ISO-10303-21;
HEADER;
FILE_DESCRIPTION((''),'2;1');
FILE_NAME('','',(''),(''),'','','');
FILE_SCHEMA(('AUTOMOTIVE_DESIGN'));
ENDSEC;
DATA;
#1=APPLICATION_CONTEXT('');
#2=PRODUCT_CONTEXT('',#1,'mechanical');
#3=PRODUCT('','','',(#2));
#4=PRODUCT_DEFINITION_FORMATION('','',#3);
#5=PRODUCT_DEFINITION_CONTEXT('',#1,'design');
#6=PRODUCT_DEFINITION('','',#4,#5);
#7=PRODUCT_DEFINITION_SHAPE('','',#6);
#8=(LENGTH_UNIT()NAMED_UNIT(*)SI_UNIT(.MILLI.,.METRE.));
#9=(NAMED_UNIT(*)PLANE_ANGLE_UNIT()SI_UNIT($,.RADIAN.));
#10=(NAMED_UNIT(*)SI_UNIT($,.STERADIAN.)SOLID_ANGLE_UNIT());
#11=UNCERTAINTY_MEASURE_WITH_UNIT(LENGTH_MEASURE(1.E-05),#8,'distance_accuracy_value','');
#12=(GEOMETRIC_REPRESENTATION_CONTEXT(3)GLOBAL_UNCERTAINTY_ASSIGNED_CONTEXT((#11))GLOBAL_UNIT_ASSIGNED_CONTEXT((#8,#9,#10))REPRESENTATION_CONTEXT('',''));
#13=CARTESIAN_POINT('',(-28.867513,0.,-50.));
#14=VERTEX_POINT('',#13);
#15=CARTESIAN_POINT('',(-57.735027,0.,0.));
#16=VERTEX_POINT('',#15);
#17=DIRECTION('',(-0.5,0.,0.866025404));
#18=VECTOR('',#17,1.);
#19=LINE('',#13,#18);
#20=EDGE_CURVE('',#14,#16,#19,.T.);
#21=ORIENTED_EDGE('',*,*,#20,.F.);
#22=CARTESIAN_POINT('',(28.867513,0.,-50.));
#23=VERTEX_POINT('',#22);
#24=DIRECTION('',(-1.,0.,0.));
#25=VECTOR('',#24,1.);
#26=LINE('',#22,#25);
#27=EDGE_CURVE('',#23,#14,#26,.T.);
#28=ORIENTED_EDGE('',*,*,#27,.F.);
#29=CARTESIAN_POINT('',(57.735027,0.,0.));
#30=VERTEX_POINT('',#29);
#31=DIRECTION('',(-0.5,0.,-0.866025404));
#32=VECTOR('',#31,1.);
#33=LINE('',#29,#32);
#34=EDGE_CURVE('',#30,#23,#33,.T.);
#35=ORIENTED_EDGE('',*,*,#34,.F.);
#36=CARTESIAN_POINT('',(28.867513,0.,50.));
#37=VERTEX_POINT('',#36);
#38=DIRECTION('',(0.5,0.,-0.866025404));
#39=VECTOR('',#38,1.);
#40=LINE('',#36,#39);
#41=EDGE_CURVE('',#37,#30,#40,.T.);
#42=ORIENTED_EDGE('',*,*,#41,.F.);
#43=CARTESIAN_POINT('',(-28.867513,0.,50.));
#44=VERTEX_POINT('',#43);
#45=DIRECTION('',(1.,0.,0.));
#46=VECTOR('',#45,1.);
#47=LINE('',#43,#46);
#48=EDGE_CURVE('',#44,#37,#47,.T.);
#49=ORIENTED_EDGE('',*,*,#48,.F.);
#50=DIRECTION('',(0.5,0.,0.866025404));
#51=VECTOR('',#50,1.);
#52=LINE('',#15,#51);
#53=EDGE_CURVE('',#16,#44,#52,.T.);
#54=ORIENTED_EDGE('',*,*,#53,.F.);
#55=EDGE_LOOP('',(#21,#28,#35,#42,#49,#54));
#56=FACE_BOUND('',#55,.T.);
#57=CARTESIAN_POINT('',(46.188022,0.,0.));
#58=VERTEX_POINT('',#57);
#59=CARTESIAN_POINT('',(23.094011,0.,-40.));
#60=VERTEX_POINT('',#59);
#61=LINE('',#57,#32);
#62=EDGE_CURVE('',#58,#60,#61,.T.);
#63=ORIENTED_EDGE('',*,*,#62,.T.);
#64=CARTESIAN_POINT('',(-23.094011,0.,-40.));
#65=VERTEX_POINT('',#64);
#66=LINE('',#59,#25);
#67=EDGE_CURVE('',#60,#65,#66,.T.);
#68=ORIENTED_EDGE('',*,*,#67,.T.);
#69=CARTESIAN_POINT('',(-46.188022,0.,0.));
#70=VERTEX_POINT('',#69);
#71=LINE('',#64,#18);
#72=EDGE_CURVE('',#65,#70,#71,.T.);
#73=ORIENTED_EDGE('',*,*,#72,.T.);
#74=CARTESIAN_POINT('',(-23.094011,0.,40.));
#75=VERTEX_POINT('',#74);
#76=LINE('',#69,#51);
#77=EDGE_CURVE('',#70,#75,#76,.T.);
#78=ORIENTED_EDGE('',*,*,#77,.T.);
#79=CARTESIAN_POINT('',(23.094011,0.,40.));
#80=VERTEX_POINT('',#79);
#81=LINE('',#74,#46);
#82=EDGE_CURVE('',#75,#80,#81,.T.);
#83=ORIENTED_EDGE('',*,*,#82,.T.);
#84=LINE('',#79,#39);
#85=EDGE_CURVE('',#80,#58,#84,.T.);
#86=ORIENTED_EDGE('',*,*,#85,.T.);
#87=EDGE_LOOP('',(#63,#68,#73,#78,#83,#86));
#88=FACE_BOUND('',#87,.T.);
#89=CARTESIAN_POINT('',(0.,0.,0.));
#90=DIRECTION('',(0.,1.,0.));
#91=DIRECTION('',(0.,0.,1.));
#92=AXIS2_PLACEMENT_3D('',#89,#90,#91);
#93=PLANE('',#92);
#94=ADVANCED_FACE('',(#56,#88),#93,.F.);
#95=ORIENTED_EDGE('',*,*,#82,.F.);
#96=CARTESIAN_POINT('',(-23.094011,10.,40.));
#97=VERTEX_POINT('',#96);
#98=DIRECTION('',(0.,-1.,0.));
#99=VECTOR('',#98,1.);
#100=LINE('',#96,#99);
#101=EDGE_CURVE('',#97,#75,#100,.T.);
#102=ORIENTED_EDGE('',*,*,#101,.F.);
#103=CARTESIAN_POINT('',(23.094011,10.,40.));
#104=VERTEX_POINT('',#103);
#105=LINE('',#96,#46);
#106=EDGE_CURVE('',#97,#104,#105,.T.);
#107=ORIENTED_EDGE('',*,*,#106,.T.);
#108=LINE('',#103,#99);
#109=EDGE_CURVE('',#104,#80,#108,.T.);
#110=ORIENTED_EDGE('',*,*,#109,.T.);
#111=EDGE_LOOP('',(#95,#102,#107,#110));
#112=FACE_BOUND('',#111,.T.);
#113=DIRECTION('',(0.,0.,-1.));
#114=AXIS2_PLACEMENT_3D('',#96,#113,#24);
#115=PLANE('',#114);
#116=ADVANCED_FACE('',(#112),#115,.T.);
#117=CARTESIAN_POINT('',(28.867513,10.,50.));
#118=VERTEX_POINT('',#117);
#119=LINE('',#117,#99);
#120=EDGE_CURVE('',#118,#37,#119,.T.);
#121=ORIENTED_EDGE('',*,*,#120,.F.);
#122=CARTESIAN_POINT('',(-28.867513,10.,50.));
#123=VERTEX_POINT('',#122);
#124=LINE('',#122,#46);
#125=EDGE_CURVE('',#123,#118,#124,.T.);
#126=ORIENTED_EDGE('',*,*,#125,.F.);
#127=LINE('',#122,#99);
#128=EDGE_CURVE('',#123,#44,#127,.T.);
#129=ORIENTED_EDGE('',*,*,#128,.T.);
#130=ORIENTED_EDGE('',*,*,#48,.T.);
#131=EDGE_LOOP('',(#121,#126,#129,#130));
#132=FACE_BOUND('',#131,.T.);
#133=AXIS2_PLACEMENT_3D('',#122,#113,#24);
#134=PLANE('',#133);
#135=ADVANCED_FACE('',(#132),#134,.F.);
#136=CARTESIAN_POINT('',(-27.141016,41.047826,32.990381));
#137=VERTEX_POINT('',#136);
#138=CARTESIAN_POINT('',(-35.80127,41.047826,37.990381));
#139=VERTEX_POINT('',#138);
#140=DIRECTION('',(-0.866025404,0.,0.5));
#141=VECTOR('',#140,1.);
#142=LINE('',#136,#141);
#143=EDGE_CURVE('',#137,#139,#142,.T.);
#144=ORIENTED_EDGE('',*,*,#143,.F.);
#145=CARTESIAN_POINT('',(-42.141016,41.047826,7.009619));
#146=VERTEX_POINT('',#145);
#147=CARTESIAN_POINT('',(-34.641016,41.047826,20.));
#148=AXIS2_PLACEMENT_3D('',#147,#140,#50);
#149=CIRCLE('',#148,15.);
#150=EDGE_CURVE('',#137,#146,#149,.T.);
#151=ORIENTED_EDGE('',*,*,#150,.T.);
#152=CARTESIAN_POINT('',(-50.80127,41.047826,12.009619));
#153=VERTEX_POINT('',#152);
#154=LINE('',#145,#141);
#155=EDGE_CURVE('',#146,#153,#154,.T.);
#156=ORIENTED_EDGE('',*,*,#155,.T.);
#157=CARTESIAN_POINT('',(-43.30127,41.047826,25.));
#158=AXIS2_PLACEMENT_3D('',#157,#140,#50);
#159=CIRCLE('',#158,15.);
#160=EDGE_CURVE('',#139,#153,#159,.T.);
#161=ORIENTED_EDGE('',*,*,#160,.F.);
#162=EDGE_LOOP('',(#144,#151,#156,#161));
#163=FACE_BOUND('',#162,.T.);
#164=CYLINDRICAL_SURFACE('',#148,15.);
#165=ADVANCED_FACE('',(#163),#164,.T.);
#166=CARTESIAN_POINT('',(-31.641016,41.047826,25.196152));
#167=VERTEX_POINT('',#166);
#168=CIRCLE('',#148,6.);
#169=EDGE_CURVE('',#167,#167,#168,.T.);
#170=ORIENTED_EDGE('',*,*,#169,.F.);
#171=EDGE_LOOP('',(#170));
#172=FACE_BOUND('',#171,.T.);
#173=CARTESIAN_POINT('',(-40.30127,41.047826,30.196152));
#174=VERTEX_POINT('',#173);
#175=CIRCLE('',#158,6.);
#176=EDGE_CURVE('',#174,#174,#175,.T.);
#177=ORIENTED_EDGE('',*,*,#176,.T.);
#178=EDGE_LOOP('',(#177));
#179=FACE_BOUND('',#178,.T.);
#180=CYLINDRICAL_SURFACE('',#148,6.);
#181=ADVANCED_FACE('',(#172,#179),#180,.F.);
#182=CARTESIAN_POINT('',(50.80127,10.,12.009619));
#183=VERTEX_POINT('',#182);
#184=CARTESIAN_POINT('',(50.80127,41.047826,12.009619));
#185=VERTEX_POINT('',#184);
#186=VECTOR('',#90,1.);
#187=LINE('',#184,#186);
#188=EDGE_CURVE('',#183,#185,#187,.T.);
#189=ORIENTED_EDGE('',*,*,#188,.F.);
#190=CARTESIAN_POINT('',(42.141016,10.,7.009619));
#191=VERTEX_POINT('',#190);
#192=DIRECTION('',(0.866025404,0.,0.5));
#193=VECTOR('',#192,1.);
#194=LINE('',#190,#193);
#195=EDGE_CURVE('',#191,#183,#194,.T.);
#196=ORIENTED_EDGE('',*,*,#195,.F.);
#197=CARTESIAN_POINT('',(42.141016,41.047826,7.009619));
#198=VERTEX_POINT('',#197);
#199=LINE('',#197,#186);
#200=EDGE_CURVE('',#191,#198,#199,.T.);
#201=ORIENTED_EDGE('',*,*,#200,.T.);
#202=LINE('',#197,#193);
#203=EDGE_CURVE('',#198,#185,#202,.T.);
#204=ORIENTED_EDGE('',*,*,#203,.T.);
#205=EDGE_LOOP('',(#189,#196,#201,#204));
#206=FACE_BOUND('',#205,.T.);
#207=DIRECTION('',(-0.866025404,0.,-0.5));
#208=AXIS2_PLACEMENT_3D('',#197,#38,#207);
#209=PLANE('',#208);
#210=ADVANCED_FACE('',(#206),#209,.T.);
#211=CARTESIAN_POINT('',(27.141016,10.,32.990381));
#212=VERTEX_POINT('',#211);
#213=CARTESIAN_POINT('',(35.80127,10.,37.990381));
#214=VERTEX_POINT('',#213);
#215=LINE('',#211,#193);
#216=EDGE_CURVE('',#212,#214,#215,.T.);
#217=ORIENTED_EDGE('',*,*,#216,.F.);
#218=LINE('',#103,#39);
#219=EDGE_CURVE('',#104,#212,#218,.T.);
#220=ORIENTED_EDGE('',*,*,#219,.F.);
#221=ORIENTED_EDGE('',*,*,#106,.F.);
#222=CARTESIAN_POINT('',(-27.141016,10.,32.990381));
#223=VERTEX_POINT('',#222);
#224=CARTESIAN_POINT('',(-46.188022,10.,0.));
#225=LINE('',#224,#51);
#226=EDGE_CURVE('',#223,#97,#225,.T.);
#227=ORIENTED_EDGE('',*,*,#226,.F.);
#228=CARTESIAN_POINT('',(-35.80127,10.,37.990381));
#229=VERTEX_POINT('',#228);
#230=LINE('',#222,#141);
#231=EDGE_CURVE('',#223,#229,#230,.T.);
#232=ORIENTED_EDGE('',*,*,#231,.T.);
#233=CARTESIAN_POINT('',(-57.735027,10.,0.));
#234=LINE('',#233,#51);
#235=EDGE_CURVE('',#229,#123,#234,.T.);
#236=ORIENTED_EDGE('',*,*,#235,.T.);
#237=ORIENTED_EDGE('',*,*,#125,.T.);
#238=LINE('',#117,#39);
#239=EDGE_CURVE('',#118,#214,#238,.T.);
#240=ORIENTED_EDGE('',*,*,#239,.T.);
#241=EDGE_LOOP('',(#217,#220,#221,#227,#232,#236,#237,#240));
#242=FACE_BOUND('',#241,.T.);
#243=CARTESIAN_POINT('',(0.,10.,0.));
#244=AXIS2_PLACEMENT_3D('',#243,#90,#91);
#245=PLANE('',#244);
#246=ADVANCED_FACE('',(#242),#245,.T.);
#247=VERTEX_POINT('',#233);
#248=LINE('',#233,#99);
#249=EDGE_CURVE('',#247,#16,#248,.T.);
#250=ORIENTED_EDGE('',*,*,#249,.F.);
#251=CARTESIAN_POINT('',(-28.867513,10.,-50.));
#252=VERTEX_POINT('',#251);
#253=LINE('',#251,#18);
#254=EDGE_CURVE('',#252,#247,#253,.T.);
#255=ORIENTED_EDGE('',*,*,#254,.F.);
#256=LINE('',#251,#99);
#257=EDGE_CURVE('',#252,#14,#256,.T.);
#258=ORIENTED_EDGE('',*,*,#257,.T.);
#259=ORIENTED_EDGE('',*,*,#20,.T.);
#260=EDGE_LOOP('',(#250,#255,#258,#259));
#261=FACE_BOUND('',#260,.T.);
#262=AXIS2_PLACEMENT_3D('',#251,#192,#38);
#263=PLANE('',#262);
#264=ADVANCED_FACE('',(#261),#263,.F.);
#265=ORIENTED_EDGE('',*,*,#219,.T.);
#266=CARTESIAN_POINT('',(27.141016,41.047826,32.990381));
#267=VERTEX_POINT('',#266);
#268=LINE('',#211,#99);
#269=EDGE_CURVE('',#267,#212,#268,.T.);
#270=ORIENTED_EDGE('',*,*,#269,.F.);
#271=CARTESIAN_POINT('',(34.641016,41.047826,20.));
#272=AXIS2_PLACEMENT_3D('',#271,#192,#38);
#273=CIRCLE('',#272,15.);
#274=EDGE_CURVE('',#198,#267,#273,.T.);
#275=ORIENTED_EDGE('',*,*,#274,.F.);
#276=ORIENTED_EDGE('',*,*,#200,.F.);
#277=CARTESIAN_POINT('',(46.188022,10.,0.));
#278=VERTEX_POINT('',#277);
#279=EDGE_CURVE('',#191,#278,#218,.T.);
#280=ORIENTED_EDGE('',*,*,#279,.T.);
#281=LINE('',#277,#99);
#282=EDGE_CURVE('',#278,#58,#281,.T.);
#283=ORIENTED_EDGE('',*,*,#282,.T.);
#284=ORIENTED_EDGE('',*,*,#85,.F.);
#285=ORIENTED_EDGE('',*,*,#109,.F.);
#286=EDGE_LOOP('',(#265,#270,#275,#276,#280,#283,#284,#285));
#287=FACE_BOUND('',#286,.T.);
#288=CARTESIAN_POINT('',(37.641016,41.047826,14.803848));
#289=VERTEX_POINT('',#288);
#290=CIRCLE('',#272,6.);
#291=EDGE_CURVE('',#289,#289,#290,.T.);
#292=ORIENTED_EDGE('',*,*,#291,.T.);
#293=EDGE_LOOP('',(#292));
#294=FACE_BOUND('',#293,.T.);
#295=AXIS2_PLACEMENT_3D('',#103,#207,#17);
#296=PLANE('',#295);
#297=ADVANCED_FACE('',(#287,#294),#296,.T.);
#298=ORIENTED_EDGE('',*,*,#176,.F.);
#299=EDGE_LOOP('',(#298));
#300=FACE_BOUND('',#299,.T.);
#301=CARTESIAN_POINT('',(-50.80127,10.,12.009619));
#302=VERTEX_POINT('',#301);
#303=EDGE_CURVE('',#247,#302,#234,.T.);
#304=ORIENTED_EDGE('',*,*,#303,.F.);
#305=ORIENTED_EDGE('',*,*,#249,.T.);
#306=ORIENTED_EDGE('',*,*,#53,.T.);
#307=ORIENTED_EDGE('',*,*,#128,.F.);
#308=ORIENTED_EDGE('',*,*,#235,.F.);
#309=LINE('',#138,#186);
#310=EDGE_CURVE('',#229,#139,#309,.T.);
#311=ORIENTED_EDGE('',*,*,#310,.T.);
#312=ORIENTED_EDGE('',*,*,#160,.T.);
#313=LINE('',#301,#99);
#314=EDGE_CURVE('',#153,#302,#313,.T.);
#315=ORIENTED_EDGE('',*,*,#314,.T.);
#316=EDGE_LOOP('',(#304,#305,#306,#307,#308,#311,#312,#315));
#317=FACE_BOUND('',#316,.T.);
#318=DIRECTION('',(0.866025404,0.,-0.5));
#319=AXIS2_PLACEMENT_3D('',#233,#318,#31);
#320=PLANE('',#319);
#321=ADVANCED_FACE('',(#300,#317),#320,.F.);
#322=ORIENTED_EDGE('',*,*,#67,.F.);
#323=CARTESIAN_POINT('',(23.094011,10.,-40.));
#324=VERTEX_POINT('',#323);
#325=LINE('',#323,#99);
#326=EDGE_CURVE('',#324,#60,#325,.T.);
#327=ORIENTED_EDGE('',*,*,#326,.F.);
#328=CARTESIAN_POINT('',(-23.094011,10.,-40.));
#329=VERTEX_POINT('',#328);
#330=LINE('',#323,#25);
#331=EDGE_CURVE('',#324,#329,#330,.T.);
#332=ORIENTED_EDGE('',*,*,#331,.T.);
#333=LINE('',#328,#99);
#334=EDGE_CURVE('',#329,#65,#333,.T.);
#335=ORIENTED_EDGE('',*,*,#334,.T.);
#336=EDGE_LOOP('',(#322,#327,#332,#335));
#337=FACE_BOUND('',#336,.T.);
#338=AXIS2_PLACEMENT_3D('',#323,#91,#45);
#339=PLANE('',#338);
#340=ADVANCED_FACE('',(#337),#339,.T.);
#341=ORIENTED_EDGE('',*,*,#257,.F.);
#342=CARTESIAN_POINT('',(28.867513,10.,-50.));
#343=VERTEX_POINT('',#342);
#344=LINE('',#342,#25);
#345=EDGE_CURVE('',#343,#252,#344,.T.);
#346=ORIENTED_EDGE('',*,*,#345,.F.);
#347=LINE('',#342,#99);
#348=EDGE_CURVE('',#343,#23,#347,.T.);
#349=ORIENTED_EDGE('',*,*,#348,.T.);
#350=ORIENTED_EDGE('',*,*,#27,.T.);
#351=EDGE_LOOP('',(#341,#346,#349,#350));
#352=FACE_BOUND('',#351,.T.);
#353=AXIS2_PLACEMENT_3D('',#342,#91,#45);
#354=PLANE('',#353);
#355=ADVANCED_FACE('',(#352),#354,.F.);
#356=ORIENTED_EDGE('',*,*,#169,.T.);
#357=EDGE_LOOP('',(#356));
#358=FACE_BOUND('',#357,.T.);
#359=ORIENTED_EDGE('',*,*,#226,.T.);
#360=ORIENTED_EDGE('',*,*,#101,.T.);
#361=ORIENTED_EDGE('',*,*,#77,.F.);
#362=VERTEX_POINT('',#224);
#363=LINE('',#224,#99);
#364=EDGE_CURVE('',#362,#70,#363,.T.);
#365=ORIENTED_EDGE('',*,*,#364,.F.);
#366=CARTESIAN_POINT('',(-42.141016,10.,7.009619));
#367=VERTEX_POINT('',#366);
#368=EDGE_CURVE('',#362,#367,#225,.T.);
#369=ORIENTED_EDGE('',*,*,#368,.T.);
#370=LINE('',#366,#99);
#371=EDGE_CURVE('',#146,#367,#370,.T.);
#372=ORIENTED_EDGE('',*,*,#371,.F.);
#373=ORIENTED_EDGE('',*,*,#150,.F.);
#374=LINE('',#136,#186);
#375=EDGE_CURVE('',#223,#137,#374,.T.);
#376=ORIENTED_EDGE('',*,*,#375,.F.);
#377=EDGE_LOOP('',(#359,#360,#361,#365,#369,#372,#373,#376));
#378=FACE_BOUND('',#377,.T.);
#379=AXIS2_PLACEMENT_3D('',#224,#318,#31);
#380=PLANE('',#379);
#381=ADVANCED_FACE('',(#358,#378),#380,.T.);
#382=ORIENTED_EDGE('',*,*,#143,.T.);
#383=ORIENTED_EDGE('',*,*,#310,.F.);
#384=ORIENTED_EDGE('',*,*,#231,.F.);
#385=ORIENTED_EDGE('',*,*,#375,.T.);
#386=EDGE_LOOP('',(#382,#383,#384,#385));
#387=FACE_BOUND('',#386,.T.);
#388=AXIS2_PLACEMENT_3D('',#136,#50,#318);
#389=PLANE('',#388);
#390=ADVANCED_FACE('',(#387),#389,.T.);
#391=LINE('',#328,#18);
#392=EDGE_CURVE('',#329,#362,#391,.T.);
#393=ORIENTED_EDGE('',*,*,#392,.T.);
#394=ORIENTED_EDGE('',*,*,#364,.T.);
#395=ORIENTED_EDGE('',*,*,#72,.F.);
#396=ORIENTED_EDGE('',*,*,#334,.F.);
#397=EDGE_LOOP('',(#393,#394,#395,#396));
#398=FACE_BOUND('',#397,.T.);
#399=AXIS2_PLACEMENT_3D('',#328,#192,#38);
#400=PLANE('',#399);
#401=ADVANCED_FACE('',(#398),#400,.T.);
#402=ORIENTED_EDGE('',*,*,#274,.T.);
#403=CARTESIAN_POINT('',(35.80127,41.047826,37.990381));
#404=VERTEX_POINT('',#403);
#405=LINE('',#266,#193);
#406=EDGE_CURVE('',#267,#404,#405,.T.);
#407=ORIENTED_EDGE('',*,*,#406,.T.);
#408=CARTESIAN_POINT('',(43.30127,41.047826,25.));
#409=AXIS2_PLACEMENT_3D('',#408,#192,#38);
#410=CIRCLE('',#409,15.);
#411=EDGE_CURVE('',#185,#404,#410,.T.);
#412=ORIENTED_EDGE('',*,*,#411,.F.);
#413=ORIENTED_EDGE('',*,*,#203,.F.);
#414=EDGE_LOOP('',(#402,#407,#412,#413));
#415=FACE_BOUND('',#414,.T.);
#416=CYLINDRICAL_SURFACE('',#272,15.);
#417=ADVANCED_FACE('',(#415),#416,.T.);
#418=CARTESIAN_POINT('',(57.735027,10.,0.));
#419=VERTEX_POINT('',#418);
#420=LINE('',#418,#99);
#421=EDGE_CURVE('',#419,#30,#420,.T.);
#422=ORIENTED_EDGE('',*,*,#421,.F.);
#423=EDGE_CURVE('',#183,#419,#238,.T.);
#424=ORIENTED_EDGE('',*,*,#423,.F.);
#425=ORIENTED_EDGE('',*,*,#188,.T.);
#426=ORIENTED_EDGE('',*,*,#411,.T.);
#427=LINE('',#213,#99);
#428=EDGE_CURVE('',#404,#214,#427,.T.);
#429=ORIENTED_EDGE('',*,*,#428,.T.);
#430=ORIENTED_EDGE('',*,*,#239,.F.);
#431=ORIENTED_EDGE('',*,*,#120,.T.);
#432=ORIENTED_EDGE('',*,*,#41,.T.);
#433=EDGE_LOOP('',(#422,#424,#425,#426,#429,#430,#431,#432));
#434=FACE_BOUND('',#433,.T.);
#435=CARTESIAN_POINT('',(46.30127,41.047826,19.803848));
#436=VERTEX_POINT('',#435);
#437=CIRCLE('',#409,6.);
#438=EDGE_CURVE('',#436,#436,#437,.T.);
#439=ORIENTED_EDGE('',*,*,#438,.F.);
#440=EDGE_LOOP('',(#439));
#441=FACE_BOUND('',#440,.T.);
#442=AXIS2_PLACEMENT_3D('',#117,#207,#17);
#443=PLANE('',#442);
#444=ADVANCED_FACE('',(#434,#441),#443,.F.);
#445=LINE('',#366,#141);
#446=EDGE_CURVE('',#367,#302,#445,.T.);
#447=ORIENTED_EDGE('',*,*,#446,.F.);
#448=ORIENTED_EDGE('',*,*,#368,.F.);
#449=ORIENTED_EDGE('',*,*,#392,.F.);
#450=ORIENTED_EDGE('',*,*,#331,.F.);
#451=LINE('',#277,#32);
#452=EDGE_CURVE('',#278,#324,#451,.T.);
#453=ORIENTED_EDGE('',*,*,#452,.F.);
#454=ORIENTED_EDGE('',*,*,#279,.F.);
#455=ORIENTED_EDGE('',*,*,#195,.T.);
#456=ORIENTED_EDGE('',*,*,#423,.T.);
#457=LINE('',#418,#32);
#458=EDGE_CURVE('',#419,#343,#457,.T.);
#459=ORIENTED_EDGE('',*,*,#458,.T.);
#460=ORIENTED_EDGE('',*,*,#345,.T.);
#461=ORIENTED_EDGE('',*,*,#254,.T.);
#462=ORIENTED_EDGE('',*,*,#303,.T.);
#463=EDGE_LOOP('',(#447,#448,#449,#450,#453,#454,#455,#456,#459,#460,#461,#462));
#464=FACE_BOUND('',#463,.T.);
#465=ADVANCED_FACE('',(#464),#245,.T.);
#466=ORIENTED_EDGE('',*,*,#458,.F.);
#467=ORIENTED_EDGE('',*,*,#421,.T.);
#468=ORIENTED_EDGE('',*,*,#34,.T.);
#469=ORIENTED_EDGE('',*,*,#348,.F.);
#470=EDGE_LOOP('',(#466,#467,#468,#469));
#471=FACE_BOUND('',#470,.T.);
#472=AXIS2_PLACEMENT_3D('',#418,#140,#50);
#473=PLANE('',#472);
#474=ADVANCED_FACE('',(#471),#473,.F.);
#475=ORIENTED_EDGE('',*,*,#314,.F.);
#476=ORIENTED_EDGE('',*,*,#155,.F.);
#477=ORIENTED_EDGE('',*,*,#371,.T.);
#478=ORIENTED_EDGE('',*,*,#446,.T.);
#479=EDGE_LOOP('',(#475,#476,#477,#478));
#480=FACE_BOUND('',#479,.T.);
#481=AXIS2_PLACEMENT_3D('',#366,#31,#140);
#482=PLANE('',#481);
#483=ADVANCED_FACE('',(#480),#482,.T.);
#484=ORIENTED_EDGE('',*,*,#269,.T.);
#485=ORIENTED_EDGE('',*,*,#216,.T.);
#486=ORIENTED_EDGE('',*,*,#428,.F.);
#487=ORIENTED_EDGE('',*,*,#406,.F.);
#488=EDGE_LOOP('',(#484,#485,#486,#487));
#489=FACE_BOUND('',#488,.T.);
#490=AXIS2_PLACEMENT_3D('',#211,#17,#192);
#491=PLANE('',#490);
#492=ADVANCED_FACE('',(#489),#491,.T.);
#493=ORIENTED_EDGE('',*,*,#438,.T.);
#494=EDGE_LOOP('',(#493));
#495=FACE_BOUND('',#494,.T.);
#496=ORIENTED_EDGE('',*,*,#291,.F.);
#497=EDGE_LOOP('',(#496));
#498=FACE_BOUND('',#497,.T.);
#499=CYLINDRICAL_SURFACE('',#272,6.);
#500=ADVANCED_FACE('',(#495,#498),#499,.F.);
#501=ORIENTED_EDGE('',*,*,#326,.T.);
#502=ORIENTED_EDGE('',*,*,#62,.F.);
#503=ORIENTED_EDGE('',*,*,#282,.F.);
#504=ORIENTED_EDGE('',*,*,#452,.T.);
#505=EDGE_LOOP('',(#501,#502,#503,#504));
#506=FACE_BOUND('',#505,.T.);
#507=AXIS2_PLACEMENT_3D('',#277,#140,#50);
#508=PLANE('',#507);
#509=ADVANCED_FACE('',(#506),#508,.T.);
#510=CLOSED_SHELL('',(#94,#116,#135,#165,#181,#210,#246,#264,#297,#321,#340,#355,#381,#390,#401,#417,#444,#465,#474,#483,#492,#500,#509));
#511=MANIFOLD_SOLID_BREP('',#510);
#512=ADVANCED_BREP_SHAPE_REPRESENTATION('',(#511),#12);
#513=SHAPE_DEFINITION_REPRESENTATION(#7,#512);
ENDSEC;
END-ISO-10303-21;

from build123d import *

# Parameters (mm, degrees)
BOSS_EXTRUDE1_DEPTH = 10
SKETCH2_R           = 6
BOSS_EXTRUDE2_DEPTH = 10
SKETCH3_R           = 6
BOSS_EXTRUDE3_DEPTH = 10


with BuildPart() as part:
    # Sketch1 → Boss-Extrude1 (new body)
    with BuildSketch(Plane(origin=(0, 0, 0), x_dir=(1, 0, 0), z_dir=(0, 1, 0))):
        Polygon((57.735026919, 0), (28.867513459, 50), (-28.867513459, 50), (-57.735026919, 0), (-28.867513459, -50), (28.867513459, -50), align=None)
        Polygon((46.188021535, 0), (23.094010768, 40), (-23.094010768, 40), (-46.188021535, 0), (-23.094010768, -40), (23.094010768, -40), align=None, mode=Mode.SUBTRACT)
    extrude(amount=BOSS_EXTRUDE1_DEPTH)

    # Sketch2 → Boss-Extrude2 (add)
    with BuildSketch(Plane(origin=(-43.301270189, 0, 25), x_dir=(0.5000000000000071, 0, 0.8660254037844346), z_dir=(-0.8660254037844345, 0, 0.500000000000007))):
        with BuildLine():
            Line((15, 41.047826235), (15, 10))
            Line((15, 10), (-15, 10))
            Line((-15, 10), (-15, 41.047826235))
            ThreePointArc((-15, 41.047826235), (0, 56.047826235), (15, 41.047826235))
        make_face()
        with Locations((0, 41.047826235)):
            Circle(SKETCH2_R, mode=Mode.SUBTRACT)
    extrude(amount=-BOSS_EXTRUDE2_DEPTH)

    # Sketch3 → Boss-Extrude3 (add)
    with BuildSketch(Plane(origin=(43.301270189, 0, 25), x_dir=(0.4999999999999951, 0, -0.8660254037844415), z_dir=(0.8660254037844416, 0, 0.49999999999999517))):
        with BuildLine():
            Line((15, 41.047826235), (15, 10))
            Line((15, 10), (-15, 10))
            Line((-15, 10), (-15, 41.047826235))
            ThreePointArc((-15, 41.047826235), (0, 56.047826235), (15, 41.047826235))
        make_face()
        with Locations((0, 41.047826235)):
            Circle(SKETCH3_R, mode=Mode.SUBTRACT)
    extrude(amount=-BOSS_EXTRUDE3_DEPTH)


solid = part.part
